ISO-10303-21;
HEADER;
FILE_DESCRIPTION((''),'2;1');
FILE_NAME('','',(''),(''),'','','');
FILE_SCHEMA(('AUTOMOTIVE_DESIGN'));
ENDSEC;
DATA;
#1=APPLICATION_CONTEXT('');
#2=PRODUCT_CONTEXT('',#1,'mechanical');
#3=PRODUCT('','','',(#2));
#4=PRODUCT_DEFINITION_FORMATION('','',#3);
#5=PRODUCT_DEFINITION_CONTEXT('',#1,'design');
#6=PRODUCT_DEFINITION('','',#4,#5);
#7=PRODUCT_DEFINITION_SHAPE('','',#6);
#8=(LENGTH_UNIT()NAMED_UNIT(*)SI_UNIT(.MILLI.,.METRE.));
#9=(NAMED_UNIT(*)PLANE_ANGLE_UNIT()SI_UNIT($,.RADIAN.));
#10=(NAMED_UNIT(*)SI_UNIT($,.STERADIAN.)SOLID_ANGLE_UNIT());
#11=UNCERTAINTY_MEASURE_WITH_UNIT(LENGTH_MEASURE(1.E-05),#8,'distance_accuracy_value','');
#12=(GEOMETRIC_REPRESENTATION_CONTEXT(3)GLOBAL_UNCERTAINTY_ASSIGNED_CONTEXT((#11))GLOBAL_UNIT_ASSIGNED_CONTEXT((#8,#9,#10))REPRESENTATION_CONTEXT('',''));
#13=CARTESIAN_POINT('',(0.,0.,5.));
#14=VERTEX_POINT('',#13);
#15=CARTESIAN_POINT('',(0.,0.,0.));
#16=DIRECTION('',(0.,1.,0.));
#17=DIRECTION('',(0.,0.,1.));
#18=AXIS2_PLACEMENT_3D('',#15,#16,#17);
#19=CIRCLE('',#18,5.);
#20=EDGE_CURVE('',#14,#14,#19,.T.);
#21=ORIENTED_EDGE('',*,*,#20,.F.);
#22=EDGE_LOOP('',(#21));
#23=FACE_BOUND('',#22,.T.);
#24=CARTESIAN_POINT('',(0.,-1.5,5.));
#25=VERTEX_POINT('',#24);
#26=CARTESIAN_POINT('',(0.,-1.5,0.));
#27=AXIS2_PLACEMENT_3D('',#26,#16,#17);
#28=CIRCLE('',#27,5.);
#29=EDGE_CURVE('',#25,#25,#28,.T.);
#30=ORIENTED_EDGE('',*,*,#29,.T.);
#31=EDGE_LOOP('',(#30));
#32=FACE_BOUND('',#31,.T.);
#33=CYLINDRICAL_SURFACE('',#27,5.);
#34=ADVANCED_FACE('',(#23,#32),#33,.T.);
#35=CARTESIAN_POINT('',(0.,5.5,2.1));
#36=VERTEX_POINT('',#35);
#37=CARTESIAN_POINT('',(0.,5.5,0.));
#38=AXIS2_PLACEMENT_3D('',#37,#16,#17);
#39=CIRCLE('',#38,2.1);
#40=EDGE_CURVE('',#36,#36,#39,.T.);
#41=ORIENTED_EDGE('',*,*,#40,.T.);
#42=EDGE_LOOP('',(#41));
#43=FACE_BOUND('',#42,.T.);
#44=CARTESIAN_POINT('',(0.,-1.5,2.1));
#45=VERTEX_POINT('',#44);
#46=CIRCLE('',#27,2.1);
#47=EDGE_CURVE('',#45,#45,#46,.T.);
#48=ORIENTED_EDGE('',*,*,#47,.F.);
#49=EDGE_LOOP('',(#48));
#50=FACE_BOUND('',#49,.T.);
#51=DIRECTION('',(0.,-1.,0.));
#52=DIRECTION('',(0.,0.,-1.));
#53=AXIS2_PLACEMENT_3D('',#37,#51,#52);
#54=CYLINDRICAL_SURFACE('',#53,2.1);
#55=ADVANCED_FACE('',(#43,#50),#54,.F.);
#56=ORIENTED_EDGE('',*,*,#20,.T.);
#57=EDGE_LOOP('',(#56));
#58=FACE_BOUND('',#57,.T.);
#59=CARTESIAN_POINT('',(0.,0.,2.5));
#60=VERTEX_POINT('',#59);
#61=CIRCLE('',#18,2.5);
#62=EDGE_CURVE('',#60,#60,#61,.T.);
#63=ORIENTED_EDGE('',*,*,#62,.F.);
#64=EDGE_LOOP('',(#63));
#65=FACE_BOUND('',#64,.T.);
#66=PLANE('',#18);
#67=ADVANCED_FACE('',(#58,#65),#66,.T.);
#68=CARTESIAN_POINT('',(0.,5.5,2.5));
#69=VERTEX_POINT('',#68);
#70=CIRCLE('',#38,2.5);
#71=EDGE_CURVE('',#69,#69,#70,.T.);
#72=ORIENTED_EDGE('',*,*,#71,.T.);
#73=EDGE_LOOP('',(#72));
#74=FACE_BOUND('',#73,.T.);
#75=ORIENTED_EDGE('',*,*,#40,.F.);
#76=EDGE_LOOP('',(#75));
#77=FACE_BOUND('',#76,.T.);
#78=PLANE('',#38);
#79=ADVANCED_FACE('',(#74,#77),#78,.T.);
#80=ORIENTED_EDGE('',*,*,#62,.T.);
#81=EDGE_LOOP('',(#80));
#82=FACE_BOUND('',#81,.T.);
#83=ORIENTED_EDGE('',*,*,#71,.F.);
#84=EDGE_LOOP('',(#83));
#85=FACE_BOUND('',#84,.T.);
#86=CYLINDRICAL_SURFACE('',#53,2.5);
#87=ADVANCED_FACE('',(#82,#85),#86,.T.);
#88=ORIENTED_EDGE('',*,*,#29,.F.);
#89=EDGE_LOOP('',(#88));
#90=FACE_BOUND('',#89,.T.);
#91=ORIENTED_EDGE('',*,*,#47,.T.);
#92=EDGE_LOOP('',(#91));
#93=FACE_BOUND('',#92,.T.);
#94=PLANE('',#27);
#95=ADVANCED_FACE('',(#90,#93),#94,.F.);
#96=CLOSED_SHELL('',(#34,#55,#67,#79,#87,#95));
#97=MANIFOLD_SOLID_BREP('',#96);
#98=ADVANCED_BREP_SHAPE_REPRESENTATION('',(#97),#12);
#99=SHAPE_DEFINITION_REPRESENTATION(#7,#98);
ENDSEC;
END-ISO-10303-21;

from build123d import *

# Parameters (mm, degrees)
SKETCH_1_R      = 2.5
SKETCH_1_R_2    = 2.1
EXTRUDE_1_DEPTH = 5.5
EXTRUDE_START   = -1.5
SKETCH_1_3_R    = 5
SKETCH_1_3_R_2  = 2.1
EXTRUDE_2_DEPTH = 1.5


with BuildPart() as part:
    # 草图1 → 凸台-拉伸1 (new body)
    with BuildSketch(Plane(origin=(0, 0, 0), x_dir=(1, 0, 0), z_dir=(0, 1, 0))):
        Circle(SKETCH_1_R)
        Circle(SKETCH_1_R_2, mode=Mode.SUBTRACT)
    extrude(amount=EXTRUDE_1_DEPTH)

    # 草图1<3> → 凸台-拉伸2 (add)
    with BuildSketch(Plane(origin=(0, 0, 0), x_dir=(1, 0, 0), z_dir=(0, 1, 0)).offset(EXTRUDE_START)):
        Circle(SKETCH_1_3_R)
        Circle(SKETCH_1_3_R_2, mode=Mode.SUBTRACT)
    extrude(amount=EXTRUDE_2_DEPTH)


solid = part.part
